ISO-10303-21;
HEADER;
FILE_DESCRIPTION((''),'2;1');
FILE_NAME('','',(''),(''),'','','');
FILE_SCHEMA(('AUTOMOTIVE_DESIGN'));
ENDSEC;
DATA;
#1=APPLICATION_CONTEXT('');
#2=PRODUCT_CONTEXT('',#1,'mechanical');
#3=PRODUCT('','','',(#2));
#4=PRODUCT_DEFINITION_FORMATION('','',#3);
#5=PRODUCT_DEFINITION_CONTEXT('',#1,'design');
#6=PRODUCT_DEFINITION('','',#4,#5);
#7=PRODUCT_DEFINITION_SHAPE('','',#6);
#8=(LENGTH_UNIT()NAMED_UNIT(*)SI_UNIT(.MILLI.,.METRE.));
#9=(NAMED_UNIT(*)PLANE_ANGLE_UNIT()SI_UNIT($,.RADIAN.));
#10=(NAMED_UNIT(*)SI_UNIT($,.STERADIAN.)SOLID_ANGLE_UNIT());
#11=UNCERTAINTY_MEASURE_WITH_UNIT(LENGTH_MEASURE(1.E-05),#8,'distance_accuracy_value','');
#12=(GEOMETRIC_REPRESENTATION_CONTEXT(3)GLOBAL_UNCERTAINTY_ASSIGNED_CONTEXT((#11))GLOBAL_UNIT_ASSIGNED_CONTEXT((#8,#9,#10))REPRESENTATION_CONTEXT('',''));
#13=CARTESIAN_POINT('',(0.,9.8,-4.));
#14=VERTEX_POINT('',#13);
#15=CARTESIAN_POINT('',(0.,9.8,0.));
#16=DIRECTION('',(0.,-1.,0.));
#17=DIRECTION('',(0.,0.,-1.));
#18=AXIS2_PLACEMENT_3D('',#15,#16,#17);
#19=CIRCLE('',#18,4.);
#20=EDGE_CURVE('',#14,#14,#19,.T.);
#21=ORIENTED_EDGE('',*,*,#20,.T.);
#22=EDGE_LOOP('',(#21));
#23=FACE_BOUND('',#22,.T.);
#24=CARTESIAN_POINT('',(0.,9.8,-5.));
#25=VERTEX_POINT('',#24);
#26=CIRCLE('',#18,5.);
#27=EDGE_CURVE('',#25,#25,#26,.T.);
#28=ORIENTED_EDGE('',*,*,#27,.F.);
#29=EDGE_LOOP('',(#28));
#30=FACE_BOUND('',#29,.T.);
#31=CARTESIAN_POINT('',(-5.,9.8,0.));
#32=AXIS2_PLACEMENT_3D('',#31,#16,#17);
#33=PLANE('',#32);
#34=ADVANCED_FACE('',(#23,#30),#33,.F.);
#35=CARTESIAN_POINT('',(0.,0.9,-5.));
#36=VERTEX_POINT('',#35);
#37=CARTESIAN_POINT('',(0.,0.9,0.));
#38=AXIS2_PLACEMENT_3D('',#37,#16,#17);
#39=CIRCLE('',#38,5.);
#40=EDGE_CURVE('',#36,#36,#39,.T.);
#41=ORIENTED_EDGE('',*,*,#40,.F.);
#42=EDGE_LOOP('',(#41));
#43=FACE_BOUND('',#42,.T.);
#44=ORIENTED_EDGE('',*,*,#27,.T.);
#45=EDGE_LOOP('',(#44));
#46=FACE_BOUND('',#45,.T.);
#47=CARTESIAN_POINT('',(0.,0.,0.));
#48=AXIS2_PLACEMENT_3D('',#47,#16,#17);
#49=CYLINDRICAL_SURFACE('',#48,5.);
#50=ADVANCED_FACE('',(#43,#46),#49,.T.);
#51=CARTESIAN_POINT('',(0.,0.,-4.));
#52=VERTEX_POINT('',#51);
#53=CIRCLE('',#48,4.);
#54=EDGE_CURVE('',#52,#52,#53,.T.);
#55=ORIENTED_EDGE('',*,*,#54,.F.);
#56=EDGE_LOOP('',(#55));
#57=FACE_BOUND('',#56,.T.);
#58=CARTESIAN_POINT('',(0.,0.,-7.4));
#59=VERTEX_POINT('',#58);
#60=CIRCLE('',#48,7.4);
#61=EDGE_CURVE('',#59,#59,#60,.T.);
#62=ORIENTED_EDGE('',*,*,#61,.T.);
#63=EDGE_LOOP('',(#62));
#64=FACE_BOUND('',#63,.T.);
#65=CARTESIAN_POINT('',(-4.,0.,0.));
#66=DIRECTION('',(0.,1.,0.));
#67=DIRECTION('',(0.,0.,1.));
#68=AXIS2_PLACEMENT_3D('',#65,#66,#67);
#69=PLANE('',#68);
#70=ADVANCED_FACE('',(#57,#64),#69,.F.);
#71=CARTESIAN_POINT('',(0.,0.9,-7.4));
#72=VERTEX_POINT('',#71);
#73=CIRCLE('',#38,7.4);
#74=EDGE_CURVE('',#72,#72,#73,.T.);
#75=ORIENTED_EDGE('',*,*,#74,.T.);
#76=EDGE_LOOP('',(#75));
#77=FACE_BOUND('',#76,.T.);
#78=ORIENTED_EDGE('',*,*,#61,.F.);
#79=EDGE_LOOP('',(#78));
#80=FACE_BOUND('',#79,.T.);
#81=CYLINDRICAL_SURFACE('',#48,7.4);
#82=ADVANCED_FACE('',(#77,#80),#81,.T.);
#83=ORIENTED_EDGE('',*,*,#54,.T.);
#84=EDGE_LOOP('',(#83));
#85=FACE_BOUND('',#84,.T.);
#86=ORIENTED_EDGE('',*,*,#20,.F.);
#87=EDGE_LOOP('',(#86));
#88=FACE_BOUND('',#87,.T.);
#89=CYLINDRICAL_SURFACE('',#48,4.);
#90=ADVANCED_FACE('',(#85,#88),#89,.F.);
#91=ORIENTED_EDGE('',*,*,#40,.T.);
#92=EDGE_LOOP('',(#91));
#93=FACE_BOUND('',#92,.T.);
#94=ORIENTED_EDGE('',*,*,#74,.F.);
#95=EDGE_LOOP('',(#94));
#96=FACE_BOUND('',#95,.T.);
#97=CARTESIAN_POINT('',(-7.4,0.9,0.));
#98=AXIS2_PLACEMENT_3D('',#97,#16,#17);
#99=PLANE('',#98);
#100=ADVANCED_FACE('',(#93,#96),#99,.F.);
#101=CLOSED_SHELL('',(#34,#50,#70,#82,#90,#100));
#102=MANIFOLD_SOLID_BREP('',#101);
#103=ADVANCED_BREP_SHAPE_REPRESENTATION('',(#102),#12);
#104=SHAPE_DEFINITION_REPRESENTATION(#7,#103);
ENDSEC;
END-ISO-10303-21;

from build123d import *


with BuildPart() as part:
    # Sketch1 → Revolve1 (revolve)
    with BuildSketch(Plane.XY, mode=Mode.PRIVATE) as revolve1_sk:
        Polygon((-4, 0), (-7.4, 0), (-7.4, 0.9), (-5, 0.9), (-5, 9.8), (-4, 9.8), align=None)
    revolve(revolve1_sk.sketch.rotate(Axis((0, 0, 0), (0, 1, 0)), 270), axis=Axis((0, 0, 0), (0, 1, 0)))


solid = part.part
